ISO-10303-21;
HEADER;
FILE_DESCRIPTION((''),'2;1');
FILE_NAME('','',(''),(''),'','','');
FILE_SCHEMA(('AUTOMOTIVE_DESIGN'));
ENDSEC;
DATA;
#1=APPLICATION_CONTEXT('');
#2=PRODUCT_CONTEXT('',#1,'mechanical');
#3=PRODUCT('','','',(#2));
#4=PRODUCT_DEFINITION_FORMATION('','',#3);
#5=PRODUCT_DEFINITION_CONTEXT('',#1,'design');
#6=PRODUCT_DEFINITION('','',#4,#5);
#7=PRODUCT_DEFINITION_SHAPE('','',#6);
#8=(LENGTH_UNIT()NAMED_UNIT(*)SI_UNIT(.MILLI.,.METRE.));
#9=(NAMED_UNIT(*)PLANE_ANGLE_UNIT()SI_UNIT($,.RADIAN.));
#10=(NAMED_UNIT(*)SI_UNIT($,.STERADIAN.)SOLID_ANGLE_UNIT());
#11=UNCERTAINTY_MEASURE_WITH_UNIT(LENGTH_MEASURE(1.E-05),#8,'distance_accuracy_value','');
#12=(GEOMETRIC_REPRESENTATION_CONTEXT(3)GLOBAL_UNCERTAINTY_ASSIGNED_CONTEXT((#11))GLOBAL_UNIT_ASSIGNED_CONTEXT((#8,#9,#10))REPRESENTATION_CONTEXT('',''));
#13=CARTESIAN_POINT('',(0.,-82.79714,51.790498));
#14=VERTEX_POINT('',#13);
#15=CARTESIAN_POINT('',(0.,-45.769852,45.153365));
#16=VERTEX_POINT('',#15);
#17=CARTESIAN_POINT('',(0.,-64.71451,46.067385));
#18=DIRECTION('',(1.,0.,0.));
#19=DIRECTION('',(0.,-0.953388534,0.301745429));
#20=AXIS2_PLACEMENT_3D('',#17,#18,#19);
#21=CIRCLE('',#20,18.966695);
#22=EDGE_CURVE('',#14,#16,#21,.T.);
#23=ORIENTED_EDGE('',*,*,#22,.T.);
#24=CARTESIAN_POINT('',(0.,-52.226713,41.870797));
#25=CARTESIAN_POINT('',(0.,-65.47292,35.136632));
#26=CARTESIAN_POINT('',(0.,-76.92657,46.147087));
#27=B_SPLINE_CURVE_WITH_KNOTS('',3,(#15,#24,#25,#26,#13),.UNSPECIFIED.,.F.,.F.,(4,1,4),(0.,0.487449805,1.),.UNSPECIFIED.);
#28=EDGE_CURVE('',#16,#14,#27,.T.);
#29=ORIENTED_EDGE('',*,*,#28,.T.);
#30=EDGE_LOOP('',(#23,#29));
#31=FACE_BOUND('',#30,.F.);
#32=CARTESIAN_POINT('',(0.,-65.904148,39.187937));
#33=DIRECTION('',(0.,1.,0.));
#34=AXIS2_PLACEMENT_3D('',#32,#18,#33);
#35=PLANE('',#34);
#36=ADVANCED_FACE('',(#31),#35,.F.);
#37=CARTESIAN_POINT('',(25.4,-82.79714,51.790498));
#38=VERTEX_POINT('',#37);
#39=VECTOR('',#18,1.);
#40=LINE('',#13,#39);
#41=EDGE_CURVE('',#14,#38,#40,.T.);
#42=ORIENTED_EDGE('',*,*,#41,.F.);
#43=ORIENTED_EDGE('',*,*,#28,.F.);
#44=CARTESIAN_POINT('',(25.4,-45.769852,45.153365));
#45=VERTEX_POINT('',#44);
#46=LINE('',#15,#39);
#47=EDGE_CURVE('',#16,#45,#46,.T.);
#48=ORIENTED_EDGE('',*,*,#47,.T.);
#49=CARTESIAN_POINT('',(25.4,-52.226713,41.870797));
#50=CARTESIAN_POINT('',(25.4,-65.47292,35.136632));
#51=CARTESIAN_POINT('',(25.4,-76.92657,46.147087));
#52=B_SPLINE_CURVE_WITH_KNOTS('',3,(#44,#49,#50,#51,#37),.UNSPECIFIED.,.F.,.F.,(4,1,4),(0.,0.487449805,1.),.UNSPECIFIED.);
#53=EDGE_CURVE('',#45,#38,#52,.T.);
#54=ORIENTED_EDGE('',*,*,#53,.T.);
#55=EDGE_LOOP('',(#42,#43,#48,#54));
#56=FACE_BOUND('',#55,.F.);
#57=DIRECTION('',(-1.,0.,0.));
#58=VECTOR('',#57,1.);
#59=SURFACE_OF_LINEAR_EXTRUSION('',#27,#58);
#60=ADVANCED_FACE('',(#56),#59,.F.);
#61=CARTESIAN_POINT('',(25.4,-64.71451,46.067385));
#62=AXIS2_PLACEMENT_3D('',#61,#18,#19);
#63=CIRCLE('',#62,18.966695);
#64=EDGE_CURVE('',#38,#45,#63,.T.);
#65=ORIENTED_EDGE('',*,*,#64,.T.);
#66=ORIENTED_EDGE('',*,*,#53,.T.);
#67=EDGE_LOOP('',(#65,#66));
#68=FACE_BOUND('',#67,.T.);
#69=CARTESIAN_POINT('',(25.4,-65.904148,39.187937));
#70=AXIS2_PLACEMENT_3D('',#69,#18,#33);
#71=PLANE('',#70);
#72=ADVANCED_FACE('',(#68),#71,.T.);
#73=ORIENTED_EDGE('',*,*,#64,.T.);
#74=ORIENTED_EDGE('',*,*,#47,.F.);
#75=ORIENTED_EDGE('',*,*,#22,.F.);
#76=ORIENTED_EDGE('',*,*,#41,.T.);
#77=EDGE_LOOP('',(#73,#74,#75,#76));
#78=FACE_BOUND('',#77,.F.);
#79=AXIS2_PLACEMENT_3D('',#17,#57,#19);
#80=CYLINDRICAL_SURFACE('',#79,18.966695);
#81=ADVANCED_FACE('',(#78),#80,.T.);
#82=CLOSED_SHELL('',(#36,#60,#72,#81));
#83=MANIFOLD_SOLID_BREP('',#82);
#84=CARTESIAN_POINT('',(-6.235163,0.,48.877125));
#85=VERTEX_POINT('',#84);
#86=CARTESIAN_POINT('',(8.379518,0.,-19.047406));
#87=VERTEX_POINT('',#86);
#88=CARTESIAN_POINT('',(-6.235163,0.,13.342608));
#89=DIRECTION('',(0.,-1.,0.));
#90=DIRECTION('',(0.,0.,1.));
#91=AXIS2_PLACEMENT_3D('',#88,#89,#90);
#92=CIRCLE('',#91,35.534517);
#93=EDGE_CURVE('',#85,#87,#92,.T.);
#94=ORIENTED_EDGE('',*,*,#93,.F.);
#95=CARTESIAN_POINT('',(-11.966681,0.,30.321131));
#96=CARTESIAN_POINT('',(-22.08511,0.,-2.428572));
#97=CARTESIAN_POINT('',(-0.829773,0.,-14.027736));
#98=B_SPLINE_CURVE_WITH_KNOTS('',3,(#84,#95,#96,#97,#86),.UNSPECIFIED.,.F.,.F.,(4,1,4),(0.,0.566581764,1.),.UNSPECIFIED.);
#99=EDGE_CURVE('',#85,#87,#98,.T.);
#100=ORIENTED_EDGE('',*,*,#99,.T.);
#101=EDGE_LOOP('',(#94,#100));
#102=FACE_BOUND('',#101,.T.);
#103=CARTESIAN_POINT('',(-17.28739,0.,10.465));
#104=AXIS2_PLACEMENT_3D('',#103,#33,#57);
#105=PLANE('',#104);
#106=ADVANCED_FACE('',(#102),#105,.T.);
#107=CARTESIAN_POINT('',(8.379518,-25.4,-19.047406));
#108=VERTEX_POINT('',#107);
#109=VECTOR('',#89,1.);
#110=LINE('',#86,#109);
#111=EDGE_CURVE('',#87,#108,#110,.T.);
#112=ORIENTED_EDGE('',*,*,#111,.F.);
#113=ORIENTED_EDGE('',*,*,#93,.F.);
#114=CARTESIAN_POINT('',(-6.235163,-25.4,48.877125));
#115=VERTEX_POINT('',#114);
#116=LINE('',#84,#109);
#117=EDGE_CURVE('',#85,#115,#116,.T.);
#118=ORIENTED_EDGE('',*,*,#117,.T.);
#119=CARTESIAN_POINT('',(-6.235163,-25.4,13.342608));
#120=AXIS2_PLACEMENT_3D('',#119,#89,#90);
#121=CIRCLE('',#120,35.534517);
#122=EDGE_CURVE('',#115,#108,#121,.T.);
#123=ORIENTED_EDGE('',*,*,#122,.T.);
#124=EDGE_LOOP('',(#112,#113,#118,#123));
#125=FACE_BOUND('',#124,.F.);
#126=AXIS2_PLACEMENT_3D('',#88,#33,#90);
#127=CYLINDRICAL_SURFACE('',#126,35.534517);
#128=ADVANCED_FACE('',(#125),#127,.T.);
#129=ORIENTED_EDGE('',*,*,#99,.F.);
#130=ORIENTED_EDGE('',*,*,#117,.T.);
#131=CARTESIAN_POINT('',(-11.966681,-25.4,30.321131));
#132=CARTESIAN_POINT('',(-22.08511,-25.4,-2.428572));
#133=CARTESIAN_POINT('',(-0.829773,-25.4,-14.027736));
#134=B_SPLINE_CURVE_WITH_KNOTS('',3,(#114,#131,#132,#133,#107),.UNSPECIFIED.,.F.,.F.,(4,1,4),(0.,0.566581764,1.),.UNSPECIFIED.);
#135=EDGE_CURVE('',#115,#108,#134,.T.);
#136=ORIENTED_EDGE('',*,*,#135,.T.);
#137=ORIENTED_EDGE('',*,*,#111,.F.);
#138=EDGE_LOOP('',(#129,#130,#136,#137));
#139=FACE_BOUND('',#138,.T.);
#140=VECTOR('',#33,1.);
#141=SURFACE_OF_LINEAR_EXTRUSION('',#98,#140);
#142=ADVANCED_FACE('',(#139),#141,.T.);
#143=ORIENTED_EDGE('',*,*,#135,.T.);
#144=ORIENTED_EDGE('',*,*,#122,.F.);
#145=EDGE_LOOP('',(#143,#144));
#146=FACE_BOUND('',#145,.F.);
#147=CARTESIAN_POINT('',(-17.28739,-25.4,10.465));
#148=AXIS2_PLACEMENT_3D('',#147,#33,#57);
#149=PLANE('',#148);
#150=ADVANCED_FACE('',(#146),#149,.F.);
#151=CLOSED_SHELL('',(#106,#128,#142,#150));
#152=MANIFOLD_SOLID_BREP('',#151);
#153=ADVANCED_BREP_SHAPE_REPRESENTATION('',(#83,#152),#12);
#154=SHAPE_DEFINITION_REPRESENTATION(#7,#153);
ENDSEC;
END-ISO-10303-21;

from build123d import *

# Parameters (mm, degrees)
F1_DEPTH = 25.4
F3_DEPTH = 25.4


with BuildPart() as f1:
    # F0 (on Front) → F1 (new body)
    with BuildSketch(Plane.XZ):
        with BuildLine():
            add(Edge.make_bspline(
                [(-6.2351627275, 48.8771246855), (-11.9666806332, 30.3211312778), (-22.0851096166, -2.428572316), (-0.8297734406, -14.0277358442), (8.3795179402, -19.0474061524)],
                knots=[0, 0, 0, 0, 0.5665817644, 1, 1, 1, 1], degree=3))
            ThreePointArc((-6.2351627275, 48.8771246855), (-40.9746603512, 5.8680377095), (8.3795179402, -19.0474061524))
        make_face()
    extrude(amount=F1_DEPTH)


with BuildPart() as f3:
    # F2 (on Right) → F3 (new body)
    with BuildSketch(Plane.YZ):
        with BuildLine():
            add(Edge.make_bspline(
                [(-45.7698516548, 45.1533645391), (-52.2267127965, 41.8707972103), (-65.4729200372, 35.1366323949), (-76.9265695807, 46.1470873614), (-82.797139883, 51.7904981971)],
                knots=[0, 0, 0, 0, 0.4874498054, 1, 1, 1, 1], degree=3))
            ThreePointArc((-82.797139883, 51.7904981971), (-68.0609500562, 27.3982426536), (-45.7698516548, 45.1533645391))
        make_face()
    extrude(amount=F3_DEPTH)


solid = Compound([f1.part, f3.part])
